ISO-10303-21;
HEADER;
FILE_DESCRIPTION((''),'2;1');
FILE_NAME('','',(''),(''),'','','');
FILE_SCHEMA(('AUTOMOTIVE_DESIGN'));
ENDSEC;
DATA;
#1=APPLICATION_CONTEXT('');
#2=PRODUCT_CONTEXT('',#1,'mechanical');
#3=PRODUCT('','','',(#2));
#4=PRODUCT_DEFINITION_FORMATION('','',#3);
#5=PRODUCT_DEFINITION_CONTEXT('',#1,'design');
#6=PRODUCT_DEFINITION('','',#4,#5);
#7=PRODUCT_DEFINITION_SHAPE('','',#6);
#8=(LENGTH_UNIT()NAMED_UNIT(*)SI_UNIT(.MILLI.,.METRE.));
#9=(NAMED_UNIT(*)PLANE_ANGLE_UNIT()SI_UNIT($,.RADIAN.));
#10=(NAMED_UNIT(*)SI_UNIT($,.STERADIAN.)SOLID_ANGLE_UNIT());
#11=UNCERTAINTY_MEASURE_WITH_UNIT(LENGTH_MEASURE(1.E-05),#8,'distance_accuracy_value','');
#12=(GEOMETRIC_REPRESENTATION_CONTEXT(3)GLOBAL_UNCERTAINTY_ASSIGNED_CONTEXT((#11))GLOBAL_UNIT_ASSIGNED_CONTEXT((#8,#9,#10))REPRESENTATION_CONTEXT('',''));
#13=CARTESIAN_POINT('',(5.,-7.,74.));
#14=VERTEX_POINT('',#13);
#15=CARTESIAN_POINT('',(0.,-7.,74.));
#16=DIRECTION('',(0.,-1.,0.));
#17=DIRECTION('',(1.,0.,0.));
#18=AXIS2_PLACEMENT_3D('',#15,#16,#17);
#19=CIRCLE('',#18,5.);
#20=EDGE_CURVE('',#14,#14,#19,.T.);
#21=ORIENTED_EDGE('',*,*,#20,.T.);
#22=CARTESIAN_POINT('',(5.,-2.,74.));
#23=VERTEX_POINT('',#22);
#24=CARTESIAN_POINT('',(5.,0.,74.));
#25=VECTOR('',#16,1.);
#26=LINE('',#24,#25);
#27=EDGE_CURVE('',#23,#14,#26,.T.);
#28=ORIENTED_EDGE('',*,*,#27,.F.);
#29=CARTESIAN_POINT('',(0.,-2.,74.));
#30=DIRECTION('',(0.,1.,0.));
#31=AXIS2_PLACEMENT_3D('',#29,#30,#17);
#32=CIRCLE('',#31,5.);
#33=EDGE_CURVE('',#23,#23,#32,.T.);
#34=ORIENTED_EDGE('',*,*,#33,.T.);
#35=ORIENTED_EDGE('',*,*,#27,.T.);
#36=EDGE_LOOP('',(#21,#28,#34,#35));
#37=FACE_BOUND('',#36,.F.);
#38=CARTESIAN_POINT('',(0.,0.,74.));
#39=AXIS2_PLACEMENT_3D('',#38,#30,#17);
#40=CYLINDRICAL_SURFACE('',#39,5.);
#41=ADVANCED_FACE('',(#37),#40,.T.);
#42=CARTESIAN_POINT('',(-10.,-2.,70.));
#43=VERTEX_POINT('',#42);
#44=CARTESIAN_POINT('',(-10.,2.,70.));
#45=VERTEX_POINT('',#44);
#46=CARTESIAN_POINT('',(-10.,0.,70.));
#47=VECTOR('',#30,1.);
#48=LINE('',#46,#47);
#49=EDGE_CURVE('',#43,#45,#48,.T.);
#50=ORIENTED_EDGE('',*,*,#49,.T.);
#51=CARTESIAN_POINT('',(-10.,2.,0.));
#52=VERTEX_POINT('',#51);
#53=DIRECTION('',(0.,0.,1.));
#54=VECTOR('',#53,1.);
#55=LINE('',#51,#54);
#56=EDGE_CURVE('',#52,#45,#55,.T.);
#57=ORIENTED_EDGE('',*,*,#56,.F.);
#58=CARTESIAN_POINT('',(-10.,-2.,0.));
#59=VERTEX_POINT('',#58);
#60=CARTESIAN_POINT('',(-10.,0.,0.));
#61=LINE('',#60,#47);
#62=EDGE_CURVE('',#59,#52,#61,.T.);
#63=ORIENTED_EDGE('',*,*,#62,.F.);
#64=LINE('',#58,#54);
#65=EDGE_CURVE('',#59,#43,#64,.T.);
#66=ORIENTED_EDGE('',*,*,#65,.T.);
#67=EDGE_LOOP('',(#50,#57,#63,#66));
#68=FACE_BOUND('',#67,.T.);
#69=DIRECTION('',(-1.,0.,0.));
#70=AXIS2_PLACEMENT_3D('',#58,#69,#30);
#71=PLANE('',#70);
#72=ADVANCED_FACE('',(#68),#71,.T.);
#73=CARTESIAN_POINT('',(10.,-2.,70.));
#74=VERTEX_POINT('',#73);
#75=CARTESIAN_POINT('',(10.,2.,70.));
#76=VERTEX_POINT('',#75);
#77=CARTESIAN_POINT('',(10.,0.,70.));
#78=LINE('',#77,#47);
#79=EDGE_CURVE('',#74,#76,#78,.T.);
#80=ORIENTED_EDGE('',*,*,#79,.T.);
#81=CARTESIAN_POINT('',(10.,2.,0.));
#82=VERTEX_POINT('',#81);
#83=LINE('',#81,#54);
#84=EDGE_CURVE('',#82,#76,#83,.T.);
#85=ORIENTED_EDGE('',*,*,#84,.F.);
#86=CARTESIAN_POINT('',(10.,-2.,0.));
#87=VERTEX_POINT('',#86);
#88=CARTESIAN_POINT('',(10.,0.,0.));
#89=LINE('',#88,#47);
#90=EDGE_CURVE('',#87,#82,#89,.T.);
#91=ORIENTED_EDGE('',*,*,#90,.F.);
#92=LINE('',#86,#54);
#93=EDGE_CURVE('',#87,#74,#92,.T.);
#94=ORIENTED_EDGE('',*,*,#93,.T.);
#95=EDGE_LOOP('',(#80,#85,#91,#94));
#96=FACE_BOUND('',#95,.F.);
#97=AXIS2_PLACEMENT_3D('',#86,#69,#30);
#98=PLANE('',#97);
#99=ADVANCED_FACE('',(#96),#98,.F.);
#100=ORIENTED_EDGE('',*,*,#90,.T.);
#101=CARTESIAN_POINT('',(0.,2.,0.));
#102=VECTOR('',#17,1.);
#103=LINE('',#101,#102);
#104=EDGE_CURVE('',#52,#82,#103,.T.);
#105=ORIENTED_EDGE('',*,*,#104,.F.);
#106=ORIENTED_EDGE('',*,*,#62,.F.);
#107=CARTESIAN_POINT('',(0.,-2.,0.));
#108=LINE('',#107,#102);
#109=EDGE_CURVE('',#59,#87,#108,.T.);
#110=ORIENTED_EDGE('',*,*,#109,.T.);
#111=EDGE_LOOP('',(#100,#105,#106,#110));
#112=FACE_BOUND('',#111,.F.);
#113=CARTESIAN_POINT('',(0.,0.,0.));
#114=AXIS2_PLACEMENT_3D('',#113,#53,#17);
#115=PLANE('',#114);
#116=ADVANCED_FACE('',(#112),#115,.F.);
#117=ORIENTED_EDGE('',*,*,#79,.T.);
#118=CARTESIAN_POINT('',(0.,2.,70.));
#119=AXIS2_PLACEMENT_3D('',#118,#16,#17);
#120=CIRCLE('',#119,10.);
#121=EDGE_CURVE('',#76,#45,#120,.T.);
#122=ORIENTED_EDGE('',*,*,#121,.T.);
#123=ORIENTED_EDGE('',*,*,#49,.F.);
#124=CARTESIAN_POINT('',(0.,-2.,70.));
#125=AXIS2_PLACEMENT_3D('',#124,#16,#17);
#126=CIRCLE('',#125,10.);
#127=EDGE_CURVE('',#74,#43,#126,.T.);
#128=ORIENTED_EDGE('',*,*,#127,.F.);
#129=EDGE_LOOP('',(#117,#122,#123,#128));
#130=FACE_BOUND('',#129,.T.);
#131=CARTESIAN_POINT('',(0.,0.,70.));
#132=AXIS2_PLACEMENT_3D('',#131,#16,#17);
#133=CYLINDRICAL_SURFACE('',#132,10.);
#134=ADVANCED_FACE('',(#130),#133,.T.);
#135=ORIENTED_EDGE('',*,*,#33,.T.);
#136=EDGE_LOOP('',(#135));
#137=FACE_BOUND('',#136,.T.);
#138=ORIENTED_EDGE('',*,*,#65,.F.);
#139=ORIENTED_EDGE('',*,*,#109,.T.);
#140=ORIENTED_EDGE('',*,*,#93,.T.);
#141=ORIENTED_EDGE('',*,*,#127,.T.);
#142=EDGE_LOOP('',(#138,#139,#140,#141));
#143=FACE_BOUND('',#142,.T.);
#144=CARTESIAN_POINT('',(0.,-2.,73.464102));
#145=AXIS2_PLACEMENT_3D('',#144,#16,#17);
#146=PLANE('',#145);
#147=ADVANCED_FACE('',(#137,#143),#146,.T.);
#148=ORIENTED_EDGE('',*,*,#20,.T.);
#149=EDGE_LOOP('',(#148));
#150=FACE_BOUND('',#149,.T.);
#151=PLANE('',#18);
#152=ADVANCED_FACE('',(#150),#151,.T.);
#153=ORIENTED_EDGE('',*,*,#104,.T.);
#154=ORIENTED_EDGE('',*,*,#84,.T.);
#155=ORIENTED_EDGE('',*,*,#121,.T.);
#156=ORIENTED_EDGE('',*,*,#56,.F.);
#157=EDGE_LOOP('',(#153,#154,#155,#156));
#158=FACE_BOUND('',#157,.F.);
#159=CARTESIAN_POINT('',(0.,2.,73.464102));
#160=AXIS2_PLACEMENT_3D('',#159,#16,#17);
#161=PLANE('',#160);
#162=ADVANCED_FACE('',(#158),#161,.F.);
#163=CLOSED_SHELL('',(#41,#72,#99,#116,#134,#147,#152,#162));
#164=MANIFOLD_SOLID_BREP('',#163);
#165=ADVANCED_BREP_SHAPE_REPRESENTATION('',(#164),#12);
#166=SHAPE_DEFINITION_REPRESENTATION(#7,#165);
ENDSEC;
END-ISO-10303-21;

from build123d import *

# Parameters (mm, degrees)
F0_W     = 20
F0_H     = 4
F1_DEPTH = 70
F3_DEPTH = 2
F4_R     = 5
F5_DEPTH = 25
F6_R     = 5
F7_DEPTH = 7


with BuildPart() as f1:
    # F0 (on Top) → F1 (new body)
    with BuildSketch(Plane.XY):
        Rectangle(F0_W, F0_H)
    extrude(amount=F1_DEPTH)

    # F2 (on Front) → F3 (join, symmetric)
    with BuildSketch(Plane.XZ):
        with BuildLine():
            Line((-10, 70), (10, 70))
            ThreePointArc((10, 70), (0, 80), (-10, 70))
        make_face()
    extrude(amount=F3_DEPTH, both=True)

    # F4 (on Front) → F5 (cut)
    with BuildSketch(Plane.XZ):
        with Locations((0, 74)):
            Circle(F4_R)
    extrude(amount=F5_DEPTH, mode=Mode.SUBTRACT)

    # F6 (on face) → F7 (join)
    with BuildSketch(Plane.XZ):
        with Locations((0, 74)):
            Circle(F6_R)
    extrude(amount=F7_DEPTH)


solid = f1.part
